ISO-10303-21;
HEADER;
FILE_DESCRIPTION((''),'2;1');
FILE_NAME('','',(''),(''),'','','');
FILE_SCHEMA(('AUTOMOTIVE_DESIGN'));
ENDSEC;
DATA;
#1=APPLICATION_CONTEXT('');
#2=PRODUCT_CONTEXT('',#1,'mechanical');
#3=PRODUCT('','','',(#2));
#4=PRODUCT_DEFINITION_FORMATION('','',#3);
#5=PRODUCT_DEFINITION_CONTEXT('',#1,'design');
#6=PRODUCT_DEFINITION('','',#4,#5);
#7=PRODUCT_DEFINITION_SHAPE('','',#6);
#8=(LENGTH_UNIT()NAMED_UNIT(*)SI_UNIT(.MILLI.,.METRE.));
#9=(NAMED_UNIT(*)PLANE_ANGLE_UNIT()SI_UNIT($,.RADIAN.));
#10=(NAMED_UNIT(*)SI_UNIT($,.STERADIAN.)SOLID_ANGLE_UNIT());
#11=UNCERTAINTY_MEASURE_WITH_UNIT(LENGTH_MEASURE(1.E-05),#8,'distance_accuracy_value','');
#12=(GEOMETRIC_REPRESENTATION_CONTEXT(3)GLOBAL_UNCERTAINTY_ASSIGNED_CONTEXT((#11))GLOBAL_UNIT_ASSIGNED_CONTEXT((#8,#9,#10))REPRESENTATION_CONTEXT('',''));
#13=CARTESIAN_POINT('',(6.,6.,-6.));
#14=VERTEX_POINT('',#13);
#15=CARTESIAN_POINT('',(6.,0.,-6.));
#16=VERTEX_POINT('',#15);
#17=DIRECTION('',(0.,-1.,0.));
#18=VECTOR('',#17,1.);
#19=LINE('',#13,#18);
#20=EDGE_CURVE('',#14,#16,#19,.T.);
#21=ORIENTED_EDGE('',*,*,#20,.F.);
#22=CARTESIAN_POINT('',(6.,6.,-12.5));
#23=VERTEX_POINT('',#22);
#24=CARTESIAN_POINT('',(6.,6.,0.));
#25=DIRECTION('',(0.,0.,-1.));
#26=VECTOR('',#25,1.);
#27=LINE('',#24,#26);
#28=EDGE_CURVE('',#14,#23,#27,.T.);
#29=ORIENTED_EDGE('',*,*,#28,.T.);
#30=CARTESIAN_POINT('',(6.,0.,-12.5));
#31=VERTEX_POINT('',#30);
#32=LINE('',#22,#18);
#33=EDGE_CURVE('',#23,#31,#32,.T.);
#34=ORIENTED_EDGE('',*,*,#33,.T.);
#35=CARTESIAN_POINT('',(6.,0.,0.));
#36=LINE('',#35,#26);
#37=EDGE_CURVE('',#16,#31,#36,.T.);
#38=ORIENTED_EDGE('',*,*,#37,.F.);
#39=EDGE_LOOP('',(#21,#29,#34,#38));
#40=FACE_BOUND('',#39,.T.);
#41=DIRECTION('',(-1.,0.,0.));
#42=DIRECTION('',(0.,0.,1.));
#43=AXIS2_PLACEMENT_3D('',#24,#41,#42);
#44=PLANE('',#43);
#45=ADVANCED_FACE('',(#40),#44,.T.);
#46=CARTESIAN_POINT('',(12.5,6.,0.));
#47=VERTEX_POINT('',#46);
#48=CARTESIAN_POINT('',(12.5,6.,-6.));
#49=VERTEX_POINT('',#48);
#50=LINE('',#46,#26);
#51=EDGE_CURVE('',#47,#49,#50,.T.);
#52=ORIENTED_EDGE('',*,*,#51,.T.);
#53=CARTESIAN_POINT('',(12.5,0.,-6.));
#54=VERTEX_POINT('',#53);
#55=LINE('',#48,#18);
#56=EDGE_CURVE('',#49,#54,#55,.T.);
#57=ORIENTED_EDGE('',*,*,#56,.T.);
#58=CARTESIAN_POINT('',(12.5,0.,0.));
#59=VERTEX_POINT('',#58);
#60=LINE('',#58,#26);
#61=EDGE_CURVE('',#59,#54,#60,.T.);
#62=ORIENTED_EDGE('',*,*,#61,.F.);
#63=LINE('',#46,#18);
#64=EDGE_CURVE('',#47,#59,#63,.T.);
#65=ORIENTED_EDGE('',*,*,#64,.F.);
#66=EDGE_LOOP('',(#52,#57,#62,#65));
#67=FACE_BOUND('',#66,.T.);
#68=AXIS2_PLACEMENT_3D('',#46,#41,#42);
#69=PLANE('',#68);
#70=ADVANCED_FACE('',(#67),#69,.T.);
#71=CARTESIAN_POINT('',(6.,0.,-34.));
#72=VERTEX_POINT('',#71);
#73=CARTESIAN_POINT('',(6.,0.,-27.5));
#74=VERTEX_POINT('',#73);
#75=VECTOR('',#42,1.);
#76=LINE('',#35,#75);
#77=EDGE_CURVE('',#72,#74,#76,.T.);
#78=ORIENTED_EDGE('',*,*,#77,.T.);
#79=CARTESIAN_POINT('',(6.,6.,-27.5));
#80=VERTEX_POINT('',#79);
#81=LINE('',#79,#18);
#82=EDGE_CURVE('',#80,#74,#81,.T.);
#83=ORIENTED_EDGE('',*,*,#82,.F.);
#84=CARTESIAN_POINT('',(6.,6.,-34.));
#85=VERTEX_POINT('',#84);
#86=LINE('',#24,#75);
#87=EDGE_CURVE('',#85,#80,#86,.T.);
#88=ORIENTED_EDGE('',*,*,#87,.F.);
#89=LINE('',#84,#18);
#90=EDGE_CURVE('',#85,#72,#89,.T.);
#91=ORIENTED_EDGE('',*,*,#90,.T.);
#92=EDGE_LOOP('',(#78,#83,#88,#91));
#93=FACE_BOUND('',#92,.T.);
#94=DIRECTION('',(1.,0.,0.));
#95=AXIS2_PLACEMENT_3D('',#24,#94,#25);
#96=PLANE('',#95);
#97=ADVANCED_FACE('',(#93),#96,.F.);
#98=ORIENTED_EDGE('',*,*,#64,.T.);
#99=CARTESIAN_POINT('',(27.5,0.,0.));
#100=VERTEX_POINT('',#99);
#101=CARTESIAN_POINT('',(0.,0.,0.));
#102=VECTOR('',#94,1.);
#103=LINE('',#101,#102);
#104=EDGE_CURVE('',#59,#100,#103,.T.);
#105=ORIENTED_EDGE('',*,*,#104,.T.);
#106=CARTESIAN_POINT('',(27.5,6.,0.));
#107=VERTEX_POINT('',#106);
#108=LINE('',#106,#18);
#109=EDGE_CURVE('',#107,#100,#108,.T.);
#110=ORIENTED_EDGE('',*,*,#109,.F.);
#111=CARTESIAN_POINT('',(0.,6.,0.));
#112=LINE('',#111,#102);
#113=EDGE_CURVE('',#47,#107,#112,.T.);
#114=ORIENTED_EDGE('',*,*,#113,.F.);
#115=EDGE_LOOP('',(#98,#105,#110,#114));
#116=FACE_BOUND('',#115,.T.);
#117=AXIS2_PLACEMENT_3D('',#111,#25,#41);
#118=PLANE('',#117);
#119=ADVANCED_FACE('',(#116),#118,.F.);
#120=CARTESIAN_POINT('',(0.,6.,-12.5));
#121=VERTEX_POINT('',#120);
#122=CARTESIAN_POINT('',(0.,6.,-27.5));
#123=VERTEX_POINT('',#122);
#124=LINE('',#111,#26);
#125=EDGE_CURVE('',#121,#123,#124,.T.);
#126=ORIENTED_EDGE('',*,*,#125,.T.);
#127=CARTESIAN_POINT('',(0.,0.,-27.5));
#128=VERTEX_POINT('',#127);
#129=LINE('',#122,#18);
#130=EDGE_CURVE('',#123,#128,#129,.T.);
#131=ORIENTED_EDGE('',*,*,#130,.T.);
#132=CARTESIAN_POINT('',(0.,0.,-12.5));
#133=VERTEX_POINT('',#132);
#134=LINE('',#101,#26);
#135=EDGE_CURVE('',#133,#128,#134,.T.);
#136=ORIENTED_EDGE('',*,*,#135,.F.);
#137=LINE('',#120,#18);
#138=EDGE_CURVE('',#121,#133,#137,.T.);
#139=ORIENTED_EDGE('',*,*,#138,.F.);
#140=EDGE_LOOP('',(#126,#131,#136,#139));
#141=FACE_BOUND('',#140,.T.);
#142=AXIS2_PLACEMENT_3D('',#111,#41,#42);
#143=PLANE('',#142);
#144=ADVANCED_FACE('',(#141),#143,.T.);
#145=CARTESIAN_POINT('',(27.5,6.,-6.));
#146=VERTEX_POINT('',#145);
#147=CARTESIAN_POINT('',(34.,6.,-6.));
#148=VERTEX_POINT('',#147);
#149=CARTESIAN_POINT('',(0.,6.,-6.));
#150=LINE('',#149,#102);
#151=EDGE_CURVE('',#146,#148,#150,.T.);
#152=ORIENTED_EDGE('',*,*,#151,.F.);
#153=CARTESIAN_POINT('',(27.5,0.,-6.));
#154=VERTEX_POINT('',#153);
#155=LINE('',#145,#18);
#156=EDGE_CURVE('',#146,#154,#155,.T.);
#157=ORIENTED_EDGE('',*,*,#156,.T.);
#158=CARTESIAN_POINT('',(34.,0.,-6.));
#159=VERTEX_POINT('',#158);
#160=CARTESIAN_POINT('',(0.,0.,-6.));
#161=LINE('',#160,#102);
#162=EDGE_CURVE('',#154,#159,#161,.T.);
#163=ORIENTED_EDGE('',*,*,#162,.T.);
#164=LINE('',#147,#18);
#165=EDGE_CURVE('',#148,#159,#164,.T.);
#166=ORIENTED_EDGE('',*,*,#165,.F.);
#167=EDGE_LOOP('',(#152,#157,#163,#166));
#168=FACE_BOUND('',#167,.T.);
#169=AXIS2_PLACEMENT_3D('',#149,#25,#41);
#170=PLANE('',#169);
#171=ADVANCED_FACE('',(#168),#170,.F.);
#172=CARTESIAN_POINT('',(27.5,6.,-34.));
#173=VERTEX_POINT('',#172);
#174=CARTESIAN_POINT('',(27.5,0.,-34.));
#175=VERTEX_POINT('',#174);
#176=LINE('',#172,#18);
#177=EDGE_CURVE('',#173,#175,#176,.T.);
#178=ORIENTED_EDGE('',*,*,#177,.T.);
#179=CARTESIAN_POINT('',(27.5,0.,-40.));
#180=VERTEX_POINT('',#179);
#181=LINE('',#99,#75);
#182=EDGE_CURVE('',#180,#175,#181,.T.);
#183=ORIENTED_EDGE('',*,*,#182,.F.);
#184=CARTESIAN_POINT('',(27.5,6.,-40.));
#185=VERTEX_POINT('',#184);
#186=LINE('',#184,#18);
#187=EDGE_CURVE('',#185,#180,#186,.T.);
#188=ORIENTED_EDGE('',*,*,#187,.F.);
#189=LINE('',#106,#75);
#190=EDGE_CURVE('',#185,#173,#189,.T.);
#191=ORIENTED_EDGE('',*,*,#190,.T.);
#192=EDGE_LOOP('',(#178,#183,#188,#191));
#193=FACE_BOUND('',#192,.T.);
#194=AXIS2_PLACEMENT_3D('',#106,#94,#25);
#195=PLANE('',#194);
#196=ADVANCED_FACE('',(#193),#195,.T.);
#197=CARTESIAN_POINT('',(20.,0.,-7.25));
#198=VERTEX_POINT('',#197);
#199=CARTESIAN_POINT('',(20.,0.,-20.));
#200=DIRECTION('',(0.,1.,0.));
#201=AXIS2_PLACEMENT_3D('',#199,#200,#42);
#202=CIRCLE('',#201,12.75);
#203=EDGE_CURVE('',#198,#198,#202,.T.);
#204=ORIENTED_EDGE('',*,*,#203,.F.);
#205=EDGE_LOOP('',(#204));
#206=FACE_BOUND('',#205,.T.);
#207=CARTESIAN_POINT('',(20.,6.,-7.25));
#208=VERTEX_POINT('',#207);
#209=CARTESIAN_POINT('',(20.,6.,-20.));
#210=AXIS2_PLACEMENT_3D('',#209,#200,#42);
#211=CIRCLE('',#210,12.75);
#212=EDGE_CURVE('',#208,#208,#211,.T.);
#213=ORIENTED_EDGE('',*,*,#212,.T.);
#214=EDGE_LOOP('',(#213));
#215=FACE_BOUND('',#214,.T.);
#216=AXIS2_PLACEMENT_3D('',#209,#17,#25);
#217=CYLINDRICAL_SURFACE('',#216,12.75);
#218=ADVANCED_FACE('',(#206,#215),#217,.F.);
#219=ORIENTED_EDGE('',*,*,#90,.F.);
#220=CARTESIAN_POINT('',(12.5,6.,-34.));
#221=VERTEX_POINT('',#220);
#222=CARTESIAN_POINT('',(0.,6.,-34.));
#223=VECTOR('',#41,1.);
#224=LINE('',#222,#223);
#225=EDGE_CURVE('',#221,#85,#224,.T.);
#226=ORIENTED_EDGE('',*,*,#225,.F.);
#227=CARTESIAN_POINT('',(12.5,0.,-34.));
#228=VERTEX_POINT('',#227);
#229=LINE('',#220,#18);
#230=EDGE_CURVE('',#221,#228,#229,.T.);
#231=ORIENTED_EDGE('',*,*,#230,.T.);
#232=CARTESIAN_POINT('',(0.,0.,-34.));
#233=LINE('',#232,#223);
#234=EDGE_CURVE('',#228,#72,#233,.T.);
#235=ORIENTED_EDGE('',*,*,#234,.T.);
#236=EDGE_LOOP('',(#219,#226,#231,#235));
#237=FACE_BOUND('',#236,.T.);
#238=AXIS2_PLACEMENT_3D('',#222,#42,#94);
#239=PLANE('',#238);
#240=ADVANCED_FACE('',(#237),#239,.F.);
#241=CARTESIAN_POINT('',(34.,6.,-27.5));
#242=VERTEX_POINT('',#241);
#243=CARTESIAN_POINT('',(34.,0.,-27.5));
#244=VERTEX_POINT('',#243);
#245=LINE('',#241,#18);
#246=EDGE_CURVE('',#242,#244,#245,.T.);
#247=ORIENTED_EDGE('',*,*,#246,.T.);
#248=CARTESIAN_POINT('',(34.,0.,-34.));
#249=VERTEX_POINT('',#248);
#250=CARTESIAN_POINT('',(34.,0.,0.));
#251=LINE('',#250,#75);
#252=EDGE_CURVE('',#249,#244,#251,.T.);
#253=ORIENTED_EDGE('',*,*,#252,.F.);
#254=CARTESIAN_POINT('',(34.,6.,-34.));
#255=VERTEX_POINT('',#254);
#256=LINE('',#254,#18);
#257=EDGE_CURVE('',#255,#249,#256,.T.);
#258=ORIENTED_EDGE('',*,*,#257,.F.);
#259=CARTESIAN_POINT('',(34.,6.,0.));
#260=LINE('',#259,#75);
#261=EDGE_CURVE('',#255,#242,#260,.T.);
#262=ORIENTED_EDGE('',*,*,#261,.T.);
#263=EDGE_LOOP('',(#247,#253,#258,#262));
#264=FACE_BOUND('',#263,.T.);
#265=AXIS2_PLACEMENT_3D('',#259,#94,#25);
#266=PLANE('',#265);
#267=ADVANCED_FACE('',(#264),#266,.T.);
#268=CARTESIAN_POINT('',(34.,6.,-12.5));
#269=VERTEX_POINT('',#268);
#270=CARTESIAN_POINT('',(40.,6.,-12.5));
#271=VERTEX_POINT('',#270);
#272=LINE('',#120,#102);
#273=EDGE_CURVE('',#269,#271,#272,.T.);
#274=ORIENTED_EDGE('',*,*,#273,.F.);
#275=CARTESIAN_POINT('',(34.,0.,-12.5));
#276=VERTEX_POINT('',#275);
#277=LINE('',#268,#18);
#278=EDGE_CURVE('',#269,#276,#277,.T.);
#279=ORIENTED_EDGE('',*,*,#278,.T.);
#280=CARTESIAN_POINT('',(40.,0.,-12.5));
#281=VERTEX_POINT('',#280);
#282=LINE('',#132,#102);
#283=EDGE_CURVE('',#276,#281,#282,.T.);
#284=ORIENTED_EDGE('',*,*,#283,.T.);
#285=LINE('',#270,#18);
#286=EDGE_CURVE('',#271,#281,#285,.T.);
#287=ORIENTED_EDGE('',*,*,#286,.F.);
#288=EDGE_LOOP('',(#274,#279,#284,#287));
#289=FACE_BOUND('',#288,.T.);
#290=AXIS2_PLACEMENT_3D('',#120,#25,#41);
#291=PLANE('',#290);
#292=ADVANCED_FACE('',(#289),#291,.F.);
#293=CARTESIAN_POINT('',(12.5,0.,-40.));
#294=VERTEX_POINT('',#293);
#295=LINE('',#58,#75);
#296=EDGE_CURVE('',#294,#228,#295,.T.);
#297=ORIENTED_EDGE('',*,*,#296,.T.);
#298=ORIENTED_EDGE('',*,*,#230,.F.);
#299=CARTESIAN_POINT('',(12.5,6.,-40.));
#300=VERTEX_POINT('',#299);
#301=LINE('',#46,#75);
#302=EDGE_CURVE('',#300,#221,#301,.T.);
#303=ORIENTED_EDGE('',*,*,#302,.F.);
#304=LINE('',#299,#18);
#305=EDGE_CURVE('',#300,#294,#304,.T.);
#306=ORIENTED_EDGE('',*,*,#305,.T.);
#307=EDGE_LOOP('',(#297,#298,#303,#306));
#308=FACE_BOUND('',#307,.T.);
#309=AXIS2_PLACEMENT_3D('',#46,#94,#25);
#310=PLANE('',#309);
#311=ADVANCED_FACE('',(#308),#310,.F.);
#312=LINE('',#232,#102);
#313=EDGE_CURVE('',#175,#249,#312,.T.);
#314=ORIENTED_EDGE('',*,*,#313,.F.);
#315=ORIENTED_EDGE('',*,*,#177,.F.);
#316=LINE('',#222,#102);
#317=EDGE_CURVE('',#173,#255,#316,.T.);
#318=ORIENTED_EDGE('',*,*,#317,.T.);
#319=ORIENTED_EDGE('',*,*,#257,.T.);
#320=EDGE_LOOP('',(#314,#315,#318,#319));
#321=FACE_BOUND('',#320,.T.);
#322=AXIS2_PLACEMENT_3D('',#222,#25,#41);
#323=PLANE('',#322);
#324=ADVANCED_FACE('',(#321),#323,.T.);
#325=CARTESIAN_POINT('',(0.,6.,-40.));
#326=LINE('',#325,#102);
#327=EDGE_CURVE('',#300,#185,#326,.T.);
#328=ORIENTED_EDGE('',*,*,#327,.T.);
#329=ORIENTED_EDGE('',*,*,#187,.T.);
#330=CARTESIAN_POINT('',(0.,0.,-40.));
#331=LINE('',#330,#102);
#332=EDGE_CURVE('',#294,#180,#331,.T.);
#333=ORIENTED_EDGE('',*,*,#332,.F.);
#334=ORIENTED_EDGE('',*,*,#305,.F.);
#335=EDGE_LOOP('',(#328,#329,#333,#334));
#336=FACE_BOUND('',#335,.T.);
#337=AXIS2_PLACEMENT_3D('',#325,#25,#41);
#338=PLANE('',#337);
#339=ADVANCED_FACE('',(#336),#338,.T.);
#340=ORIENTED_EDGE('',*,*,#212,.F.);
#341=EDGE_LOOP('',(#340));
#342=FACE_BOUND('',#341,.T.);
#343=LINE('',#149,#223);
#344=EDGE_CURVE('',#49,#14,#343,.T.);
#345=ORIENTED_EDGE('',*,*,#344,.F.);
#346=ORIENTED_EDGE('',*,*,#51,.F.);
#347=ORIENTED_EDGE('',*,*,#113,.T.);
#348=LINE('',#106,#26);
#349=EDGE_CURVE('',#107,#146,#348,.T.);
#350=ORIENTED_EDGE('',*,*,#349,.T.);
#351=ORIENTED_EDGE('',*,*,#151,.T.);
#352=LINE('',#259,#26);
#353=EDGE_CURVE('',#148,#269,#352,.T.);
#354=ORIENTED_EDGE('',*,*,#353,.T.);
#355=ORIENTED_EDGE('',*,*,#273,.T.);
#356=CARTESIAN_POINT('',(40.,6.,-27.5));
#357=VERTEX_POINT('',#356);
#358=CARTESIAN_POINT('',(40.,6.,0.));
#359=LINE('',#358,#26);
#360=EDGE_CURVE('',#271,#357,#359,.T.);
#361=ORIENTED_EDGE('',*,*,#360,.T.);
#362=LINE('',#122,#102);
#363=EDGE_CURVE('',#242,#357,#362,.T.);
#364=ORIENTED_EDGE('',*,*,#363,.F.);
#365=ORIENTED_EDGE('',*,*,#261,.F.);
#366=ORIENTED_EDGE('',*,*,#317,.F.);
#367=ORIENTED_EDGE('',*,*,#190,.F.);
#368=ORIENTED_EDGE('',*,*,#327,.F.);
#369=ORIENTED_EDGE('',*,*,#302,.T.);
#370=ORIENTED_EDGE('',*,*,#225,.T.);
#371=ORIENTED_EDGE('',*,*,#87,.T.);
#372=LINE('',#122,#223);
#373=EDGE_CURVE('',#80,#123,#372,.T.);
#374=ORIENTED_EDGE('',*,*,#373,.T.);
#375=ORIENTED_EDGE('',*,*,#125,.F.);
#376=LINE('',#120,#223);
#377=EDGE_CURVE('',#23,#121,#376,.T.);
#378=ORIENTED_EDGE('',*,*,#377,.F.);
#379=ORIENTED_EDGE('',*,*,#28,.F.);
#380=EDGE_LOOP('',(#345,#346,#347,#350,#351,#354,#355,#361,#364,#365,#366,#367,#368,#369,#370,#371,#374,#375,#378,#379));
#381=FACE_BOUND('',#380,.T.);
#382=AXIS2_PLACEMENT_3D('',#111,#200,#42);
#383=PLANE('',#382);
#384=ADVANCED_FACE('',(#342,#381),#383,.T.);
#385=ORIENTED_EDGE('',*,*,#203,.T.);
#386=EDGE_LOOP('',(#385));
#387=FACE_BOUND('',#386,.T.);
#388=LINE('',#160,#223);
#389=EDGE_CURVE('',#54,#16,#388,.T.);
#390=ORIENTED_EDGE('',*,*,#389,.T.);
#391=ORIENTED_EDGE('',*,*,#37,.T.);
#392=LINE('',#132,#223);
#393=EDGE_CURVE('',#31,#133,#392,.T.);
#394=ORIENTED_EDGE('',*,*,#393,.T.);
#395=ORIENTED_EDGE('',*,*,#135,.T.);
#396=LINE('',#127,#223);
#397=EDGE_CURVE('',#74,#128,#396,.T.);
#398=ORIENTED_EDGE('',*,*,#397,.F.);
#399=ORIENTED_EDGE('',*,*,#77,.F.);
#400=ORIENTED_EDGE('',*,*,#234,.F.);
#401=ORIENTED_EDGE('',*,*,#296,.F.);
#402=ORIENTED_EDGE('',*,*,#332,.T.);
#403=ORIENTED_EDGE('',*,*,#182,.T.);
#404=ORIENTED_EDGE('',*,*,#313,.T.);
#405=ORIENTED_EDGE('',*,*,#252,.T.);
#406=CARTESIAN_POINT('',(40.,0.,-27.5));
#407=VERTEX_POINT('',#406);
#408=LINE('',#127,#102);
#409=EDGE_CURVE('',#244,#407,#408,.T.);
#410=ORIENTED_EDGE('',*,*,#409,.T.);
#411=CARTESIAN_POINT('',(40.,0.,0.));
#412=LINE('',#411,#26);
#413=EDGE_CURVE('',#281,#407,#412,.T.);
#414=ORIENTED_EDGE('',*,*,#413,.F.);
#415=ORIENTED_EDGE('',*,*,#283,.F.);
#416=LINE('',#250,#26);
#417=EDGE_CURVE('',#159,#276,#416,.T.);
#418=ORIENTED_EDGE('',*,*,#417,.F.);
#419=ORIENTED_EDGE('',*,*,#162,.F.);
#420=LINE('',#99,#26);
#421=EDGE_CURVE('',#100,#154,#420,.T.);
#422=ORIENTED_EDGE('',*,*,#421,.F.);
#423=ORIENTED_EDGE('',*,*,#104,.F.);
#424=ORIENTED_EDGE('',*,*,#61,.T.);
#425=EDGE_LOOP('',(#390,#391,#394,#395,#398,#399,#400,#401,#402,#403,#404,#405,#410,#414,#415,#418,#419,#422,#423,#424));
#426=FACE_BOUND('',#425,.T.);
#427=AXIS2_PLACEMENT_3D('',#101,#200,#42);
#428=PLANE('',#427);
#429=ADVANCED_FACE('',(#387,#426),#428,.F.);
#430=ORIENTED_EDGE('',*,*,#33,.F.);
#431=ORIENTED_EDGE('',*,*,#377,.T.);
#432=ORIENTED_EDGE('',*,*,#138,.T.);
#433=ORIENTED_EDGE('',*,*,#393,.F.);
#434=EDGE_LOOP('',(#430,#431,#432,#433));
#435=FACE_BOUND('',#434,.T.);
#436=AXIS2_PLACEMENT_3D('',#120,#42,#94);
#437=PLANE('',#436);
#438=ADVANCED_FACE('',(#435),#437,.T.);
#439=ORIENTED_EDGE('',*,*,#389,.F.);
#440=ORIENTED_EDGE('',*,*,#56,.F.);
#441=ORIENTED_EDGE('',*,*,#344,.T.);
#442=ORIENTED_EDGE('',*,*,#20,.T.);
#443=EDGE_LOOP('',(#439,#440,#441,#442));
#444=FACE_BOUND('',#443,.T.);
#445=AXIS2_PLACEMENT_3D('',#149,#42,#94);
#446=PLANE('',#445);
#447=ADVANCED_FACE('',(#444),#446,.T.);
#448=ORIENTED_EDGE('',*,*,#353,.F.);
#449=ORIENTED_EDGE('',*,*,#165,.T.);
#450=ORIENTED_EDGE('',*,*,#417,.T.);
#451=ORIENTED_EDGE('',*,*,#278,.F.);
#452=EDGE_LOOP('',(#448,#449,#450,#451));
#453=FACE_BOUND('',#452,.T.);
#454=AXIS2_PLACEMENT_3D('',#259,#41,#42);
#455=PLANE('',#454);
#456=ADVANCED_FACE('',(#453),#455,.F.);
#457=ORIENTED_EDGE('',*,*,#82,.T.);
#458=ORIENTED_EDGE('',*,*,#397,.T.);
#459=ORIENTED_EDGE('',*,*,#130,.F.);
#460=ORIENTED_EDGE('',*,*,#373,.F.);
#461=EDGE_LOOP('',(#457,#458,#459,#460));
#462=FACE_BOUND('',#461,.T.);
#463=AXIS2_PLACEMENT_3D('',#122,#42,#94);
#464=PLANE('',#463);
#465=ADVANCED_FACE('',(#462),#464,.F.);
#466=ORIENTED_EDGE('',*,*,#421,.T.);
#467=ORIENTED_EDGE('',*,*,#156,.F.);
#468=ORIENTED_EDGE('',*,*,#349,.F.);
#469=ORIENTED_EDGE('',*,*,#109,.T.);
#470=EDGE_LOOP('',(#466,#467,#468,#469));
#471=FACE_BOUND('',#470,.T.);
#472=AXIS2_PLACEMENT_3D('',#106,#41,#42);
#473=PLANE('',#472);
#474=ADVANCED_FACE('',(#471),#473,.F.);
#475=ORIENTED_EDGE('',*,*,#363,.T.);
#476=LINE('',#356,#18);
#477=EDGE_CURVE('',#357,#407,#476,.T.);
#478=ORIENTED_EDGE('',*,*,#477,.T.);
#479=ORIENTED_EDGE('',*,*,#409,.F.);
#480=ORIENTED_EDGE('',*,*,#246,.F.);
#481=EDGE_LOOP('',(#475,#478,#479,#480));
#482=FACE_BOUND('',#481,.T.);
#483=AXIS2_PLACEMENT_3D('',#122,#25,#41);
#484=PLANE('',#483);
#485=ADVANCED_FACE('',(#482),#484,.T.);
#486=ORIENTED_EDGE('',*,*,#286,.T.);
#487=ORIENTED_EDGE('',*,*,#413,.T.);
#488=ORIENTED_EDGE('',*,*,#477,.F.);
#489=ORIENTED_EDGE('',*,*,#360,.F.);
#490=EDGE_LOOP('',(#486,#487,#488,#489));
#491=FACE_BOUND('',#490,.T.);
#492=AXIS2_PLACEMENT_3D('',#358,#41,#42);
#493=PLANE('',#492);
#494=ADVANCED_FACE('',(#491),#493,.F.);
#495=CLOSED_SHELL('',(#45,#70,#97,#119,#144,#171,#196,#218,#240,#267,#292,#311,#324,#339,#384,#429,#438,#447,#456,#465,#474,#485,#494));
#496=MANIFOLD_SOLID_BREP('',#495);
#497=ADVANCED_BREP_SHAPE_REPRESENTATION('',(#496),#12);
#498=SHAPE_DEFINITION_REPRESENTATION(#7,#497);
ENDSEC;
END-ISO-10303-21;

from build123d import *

# Parameters (mm, degrees)
CROQUIS1_R              = 12.75
SALIENTE_EXTRUIR1_DEPTH = 6


with BuildPart() as part:
    # Croquis1 → Saliente-Extruir1 (new body)
    with BuildSketch(Plane(origin=(0, 0, 0), x_dir=(1, 0, 0), z_dir=(0, 1, 0))):
        Polygon((27.5, 40), (12.5, 40), (12.5, 34), (6, 34), (6, 27.5), (0, 27.5), (0, 12.5), (6, 12.5), (6, 6), (12.5, 6), (12.5, 0), (27.5, 0), (27.5, 6), (34, 6), (34, 12.5), (40, 12.5), (40, 27.5), (34, 27.5), (34, 34), (27.5, 34), align=None)
        with Locations(Location((20, 20, 0), (0, 0, 270))):
            Circle(CROQUIS1_R, mode=Mode.SUBTRACT)
    extrude(amount=SALIENTE_EXTRUIR1_DEPTH)


solid = part.part
